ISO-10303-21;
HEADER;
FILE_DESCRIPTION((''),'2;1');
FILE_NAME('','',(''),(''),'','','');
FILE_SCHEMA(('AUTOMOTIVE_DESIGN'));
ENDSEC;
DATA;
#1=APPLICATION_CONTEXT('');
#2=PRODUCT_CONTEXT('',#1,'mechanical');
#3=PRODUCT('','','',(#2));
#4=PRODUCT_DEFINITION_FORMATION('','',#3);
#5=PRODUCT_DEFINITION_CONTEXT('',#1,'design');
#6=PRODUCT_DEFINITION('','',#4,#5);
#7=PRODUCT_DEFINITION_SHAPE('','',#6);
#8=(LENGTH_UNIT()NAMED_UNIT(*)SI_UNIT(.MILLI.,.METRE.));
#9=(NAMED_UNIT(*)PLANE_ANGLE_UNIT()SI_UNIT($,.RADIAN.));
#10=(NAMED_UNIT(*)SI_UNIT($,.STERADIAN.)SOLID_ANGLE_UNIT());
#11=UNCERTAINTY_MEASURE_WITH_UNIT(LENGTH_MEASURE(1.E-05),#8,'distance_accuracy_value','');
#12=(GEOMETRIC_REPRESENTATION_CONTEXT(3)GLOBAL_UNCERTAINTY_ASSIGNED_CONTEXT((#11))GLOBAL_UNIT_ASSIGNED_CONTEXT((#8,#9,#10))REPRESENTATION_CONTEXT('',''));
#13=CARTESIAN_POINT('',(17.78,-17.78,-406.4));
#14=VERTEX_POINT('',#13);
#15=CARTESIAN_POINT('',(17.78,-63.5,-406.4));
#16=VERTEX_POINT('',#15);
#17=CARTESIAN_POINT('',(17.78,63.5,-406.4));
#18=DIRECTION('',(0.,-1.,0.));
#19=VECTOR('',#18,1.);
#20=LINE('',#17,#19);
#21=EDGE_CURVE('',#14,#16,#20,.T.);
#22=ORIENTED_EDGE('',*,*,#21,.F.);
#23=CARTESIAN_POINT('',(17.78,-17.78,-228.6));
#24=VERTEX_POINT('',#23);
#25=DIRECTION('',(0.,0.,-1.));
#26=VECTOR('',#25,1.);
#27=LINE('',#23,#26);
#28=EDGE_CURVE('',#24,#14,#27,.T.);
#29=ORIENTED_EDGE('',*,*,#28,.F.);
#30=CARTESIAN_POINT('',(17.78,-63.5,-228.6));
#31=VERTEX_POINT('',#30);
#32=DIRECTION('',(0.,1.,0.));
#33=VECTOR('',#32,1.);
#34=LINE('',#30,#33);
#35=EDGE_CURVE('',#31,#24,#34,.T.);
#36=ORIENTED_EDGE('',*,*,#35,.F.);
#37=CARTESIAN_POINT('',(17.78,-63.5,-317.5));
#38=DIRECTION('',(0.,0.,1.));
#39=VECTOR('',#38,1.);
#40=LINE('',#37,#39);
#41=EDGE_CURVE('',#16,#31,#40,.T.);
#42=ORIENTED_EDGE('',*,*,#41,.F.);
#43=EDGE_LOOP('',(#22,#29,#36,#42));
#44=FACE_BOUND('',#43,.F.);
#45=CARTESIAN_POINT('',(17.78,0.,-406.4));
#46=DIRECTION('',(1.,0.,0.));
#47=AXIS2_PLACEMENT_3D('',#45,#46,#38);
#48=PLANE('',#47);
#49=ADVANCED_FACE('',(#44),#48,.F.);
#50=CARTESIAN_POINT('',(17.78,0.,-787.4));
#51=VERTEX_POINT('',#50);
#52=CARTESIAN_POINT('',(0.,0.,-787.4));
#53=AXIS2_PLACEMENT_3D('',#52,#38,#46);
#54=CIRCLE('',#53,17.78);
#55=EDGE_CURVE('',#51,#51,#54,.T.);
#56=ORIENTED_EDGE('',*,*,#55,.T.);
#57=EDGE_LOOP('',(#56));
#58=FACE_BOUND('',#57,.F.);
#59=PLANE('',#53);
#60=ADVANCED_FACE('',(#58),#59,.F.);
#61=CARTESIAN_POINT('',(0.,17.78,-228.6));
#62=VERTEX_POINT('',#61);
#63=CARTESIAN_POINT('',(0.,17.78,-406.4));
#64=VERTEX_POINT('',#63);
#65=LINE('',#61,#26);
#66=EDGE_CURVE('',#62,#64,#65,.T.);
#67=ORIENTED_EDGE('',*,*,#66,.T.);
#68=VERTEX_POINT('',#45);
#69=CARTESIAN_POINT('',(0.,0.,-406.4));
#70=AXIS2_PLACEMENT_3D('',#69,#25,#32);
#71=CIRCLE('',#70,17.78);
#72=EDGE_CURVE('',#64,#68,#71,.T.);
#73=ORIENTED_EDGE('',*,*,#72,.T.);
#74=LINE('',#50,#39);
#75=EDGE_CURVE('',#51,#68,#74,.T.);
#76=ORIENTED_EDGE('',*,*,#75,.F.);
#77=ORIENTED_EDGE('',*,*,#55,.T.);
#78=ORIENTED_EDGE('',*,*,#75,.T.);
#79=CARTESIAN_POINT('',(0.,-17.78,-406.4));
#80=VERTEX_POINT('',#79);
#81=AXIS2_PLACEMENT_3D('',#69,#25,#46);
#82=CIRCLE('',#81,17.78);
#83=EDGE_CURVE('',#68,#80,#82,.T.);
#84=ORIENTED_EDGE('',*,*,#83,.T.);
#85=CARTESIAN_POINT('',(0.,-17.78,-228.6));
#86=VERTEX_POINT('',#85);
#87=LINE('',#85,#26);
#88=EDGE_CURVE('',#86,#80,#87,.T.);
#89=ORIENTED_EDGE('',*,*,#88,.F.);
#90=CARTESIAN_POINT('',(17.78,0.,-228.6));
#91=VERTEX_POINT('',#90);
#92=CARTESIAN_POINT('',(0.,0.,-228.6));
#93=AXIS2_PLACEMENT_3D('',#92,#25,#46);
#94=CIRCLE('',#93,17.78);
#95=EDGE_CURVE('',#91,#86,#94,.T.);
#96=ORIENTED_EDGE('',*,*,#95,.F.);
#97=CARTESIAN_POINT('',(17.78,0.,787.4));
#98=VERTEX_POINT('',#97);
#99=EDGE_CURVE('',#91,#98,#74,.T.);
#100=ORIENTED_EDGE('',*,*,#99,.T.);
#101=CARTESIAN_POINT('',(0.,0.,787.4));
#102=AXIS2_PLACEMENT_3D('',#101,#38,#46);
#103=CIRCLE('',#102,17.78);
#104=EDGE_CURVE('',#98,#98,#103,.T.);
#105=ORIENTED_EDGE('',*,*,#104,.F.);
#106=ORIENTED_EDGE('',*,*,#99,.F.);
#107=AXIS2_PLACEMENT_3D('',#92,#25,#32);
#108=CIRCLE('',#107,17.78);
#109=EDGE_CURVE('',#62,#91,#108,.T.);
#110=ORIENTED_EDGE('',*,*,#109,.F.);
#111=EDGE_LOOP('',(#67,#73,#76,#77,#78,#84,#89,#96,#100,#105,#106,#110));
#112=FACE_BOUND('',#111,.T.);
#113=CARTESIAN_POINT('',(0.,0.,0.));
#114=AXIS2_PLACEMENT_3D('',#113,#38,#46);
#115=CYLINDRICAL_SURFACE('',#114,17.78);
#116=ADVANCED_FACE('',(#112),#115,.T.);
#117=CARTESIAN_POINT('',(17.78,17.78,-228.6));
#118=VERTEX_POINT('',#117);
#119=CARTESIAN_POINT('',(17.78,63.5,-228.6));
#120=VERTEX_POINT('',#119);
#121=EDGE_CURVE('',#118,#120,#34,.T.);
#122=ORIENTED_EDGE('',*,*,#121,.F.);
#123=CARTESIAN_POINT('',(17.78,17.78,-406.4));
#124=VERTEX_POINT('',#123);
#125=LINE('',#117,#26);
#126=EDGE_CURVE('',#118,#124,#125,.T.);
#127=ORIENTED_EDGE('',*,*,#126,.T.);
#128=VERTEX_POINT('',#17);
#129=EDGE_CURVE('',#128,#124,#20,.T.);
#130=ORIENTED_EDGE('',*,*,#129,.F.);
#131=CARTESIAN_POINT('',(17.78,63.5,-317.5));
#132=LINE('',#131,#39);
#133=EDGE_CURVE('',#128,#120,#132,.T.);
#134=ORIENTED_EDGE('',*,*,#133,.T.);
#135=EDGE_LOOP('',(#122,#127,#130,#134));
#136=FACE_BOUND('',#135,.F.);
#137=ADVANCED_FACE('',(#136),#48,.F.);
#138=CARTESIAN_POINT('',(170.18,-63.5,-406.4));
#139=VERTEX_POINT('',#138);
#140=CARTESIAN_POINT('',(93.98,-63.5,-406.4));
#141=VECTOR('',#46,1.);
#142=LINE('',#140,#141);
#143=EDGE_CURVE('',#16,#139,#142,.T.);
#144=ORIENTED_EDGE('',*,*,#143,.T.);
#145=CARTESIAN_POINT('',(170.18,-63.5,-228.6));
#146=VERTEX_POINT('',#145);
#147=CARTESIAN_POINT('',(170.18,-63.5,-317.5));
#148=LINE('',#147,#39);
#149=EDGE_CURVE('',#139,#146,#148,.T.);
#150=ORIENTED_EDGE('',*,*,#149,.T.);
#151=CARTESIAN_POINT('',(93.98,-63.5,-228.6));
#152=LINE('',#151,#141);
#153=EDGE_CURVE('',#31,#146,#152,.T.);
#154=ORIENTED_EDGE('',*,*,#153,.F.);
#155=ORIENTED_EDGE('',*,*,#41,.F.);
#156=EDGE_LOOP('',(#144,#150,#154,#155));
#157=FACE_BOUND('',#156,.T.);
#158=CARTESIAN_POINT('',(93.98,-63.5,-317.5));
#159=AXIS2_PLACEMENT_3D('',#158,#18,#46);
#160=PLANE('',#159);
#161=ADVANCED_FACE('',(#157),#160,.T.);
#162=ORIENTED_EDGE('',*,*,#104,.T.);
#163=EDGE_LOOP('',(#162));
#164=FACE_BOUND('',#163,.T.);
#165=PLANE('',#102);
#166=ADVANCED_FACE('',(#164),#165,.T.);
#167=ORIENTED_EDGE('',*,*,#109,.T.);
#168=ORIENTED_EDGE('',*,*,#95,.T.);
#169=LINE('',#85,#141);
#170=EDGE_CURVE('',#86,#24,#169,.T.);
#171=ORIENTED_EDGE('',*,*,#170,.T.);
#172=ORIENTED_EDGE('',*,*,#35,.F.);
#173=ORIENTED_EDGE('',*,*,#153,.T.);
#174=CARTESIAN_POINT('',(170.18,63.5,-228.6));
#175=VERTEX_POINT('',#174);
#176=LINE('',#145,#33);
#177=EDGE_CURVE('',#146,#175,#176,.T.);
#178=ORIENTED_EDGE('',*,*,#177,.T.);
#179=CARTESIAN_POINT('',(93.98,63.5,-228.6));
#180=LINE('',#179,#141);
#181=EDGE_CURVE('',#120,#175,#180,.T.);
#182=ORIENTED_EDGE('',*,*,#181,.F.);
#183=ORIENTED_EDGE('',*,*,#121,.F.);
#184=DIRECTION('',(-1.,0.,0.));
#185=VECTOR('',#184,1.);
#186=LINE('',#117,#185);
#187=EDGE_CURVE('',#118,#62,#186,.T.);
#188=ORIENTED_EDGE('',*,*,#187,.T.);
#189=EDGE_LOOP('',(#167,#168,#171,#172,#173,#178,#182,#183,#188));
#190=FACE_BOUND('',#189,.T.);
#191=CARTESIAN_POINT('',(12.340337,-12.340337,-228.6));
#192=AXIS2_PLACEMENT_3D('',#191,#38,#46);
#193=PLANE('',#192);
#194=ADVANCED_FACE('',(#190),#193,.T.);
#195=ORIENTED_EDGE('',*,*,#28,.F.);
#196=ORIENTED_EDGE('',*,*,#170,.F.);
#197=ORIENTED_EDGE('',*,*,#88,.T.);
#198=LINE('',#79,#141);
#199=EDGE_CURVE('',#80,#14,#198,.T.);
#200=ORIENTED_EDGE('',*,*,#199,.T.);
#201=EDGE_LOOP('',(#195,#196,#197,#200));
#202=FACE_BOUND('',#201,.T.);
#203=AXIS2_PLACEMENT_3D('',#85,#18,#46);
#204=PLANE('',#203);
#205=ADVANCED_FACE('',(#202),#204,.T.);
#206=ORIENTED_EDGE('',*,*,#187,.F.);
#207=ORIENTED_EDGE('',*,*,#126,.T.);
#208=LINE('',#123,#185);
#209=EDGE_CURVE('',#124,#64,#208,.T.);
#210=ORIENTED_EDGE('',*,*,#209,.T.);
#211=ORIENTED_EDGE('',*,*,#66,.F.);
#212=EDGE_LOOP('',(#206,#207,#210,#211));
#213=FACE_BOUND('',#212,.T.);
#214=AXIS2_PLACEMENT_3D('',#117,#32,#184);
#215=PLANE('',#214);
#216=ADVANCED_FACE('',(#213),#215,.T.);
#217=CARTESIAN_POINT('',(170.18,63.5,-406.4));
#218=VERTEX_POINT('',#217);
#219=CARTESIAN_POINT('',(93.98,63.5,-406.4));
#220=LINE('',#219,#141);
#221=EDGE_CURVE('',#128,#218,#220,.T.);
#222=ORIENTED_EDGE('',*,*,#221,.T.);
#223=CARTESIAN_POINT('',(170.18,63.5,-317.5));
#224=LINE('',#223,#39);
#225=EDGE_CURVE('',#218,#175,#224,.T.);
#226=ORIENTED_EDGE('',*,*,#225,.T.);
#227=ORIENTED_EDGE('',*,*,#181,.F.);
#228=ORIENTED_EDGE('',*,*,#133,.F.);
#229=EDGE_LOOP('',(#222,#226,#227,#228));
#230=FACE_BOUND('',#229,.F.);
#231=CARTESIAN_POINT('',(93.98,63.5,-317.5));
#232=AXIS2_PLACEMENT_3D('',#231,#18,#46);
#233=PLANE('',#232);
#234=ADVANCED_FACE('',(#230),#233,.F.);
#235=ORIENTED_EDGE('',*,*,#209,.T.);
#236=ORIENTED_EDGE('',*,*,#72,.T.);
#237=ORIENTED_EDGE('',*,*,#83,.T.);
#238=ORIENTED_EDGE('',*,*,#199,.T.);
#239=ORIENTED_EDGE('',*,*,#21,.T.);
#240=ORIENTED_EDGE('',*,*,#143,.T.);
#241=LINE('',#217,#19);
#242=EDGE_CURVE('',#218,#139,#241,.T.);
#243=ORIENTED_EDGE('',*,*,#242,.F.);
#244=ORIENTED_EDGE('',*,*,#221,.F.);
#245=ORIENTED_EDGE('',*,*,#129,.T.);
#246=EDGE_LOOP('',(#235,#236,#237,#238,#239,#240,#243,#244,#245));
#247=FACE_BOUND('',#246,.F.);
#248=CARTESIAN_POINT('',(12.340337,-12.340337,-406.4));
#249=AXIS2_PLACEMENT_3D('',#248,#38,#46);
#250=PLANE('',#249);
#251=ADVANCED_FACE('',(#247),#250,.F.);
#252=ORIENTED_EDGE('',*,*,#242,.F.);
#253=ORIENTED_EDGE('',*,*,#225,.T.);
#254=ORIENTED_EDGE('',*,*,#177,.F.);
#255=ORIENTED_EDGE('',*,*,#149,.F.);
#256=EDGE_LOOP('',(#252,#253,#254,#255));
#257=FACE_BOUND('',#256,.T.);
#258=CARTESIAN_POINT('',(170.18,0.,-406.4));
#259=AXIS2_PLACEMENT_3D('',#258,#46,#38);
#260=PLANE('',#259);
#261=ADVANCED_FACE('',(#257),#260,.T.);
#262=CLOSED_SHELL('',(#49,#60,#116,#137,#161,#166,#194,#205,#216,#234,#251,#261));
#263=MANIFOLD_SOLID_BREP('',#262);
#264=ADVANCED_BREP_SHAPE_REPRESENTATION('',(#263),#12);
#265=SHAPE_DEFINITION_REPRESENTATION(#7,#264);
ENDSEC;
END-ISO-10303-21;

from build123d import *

# Parameters (mm, degrees)
F0_R     = 17.78
F1_DEPTH = 787.4
F2_W     = 152.4
F2_H     = 177.8
F3_DEPTH = 63.5
F5_DEPTH = 177.8


with BuildPart() as f1:
    # F0 (on Top) → F1 (new body, symmetric)
    with BuildSketch(Plane.XY):
        Circle(F0_R)
    extrude(amount=F1_DEPTH, both=True)

    # F2 (on Front) → F3 (join, symmetric)
    with BuildSketch(Plane.XZ):
        with Locations((93.98, -317.5)):
            Rectangle(F2_W, F2_H)
    extrude(amount=F3_DEPTH, both=True)

    # F4 (on face) → F5 (join, through all)
    with BuildSketch(Plane.XY.offset(-228.6)):
        with BuildLine():
            Line((17.78, -17.78), (17.78, 0))
            ThreePointArc((17.78, 0), (12.5723585695, -12.5723585695), (0, -17.78))
            Line((0, -17.78), (17.78, -17.78))
        make_face()
        with BuildLine():
            ThreePointArc((0, 17.78), (12.5723585695, 12.5723585695), (17.78, 0))
            Line((17.78, 0), (17.78, 17.78))
            Line((17.78, 17.78), (0, 17.78))
        make_face()
    extrude(amount=-F5_DEPTH)


solid = f1.part
